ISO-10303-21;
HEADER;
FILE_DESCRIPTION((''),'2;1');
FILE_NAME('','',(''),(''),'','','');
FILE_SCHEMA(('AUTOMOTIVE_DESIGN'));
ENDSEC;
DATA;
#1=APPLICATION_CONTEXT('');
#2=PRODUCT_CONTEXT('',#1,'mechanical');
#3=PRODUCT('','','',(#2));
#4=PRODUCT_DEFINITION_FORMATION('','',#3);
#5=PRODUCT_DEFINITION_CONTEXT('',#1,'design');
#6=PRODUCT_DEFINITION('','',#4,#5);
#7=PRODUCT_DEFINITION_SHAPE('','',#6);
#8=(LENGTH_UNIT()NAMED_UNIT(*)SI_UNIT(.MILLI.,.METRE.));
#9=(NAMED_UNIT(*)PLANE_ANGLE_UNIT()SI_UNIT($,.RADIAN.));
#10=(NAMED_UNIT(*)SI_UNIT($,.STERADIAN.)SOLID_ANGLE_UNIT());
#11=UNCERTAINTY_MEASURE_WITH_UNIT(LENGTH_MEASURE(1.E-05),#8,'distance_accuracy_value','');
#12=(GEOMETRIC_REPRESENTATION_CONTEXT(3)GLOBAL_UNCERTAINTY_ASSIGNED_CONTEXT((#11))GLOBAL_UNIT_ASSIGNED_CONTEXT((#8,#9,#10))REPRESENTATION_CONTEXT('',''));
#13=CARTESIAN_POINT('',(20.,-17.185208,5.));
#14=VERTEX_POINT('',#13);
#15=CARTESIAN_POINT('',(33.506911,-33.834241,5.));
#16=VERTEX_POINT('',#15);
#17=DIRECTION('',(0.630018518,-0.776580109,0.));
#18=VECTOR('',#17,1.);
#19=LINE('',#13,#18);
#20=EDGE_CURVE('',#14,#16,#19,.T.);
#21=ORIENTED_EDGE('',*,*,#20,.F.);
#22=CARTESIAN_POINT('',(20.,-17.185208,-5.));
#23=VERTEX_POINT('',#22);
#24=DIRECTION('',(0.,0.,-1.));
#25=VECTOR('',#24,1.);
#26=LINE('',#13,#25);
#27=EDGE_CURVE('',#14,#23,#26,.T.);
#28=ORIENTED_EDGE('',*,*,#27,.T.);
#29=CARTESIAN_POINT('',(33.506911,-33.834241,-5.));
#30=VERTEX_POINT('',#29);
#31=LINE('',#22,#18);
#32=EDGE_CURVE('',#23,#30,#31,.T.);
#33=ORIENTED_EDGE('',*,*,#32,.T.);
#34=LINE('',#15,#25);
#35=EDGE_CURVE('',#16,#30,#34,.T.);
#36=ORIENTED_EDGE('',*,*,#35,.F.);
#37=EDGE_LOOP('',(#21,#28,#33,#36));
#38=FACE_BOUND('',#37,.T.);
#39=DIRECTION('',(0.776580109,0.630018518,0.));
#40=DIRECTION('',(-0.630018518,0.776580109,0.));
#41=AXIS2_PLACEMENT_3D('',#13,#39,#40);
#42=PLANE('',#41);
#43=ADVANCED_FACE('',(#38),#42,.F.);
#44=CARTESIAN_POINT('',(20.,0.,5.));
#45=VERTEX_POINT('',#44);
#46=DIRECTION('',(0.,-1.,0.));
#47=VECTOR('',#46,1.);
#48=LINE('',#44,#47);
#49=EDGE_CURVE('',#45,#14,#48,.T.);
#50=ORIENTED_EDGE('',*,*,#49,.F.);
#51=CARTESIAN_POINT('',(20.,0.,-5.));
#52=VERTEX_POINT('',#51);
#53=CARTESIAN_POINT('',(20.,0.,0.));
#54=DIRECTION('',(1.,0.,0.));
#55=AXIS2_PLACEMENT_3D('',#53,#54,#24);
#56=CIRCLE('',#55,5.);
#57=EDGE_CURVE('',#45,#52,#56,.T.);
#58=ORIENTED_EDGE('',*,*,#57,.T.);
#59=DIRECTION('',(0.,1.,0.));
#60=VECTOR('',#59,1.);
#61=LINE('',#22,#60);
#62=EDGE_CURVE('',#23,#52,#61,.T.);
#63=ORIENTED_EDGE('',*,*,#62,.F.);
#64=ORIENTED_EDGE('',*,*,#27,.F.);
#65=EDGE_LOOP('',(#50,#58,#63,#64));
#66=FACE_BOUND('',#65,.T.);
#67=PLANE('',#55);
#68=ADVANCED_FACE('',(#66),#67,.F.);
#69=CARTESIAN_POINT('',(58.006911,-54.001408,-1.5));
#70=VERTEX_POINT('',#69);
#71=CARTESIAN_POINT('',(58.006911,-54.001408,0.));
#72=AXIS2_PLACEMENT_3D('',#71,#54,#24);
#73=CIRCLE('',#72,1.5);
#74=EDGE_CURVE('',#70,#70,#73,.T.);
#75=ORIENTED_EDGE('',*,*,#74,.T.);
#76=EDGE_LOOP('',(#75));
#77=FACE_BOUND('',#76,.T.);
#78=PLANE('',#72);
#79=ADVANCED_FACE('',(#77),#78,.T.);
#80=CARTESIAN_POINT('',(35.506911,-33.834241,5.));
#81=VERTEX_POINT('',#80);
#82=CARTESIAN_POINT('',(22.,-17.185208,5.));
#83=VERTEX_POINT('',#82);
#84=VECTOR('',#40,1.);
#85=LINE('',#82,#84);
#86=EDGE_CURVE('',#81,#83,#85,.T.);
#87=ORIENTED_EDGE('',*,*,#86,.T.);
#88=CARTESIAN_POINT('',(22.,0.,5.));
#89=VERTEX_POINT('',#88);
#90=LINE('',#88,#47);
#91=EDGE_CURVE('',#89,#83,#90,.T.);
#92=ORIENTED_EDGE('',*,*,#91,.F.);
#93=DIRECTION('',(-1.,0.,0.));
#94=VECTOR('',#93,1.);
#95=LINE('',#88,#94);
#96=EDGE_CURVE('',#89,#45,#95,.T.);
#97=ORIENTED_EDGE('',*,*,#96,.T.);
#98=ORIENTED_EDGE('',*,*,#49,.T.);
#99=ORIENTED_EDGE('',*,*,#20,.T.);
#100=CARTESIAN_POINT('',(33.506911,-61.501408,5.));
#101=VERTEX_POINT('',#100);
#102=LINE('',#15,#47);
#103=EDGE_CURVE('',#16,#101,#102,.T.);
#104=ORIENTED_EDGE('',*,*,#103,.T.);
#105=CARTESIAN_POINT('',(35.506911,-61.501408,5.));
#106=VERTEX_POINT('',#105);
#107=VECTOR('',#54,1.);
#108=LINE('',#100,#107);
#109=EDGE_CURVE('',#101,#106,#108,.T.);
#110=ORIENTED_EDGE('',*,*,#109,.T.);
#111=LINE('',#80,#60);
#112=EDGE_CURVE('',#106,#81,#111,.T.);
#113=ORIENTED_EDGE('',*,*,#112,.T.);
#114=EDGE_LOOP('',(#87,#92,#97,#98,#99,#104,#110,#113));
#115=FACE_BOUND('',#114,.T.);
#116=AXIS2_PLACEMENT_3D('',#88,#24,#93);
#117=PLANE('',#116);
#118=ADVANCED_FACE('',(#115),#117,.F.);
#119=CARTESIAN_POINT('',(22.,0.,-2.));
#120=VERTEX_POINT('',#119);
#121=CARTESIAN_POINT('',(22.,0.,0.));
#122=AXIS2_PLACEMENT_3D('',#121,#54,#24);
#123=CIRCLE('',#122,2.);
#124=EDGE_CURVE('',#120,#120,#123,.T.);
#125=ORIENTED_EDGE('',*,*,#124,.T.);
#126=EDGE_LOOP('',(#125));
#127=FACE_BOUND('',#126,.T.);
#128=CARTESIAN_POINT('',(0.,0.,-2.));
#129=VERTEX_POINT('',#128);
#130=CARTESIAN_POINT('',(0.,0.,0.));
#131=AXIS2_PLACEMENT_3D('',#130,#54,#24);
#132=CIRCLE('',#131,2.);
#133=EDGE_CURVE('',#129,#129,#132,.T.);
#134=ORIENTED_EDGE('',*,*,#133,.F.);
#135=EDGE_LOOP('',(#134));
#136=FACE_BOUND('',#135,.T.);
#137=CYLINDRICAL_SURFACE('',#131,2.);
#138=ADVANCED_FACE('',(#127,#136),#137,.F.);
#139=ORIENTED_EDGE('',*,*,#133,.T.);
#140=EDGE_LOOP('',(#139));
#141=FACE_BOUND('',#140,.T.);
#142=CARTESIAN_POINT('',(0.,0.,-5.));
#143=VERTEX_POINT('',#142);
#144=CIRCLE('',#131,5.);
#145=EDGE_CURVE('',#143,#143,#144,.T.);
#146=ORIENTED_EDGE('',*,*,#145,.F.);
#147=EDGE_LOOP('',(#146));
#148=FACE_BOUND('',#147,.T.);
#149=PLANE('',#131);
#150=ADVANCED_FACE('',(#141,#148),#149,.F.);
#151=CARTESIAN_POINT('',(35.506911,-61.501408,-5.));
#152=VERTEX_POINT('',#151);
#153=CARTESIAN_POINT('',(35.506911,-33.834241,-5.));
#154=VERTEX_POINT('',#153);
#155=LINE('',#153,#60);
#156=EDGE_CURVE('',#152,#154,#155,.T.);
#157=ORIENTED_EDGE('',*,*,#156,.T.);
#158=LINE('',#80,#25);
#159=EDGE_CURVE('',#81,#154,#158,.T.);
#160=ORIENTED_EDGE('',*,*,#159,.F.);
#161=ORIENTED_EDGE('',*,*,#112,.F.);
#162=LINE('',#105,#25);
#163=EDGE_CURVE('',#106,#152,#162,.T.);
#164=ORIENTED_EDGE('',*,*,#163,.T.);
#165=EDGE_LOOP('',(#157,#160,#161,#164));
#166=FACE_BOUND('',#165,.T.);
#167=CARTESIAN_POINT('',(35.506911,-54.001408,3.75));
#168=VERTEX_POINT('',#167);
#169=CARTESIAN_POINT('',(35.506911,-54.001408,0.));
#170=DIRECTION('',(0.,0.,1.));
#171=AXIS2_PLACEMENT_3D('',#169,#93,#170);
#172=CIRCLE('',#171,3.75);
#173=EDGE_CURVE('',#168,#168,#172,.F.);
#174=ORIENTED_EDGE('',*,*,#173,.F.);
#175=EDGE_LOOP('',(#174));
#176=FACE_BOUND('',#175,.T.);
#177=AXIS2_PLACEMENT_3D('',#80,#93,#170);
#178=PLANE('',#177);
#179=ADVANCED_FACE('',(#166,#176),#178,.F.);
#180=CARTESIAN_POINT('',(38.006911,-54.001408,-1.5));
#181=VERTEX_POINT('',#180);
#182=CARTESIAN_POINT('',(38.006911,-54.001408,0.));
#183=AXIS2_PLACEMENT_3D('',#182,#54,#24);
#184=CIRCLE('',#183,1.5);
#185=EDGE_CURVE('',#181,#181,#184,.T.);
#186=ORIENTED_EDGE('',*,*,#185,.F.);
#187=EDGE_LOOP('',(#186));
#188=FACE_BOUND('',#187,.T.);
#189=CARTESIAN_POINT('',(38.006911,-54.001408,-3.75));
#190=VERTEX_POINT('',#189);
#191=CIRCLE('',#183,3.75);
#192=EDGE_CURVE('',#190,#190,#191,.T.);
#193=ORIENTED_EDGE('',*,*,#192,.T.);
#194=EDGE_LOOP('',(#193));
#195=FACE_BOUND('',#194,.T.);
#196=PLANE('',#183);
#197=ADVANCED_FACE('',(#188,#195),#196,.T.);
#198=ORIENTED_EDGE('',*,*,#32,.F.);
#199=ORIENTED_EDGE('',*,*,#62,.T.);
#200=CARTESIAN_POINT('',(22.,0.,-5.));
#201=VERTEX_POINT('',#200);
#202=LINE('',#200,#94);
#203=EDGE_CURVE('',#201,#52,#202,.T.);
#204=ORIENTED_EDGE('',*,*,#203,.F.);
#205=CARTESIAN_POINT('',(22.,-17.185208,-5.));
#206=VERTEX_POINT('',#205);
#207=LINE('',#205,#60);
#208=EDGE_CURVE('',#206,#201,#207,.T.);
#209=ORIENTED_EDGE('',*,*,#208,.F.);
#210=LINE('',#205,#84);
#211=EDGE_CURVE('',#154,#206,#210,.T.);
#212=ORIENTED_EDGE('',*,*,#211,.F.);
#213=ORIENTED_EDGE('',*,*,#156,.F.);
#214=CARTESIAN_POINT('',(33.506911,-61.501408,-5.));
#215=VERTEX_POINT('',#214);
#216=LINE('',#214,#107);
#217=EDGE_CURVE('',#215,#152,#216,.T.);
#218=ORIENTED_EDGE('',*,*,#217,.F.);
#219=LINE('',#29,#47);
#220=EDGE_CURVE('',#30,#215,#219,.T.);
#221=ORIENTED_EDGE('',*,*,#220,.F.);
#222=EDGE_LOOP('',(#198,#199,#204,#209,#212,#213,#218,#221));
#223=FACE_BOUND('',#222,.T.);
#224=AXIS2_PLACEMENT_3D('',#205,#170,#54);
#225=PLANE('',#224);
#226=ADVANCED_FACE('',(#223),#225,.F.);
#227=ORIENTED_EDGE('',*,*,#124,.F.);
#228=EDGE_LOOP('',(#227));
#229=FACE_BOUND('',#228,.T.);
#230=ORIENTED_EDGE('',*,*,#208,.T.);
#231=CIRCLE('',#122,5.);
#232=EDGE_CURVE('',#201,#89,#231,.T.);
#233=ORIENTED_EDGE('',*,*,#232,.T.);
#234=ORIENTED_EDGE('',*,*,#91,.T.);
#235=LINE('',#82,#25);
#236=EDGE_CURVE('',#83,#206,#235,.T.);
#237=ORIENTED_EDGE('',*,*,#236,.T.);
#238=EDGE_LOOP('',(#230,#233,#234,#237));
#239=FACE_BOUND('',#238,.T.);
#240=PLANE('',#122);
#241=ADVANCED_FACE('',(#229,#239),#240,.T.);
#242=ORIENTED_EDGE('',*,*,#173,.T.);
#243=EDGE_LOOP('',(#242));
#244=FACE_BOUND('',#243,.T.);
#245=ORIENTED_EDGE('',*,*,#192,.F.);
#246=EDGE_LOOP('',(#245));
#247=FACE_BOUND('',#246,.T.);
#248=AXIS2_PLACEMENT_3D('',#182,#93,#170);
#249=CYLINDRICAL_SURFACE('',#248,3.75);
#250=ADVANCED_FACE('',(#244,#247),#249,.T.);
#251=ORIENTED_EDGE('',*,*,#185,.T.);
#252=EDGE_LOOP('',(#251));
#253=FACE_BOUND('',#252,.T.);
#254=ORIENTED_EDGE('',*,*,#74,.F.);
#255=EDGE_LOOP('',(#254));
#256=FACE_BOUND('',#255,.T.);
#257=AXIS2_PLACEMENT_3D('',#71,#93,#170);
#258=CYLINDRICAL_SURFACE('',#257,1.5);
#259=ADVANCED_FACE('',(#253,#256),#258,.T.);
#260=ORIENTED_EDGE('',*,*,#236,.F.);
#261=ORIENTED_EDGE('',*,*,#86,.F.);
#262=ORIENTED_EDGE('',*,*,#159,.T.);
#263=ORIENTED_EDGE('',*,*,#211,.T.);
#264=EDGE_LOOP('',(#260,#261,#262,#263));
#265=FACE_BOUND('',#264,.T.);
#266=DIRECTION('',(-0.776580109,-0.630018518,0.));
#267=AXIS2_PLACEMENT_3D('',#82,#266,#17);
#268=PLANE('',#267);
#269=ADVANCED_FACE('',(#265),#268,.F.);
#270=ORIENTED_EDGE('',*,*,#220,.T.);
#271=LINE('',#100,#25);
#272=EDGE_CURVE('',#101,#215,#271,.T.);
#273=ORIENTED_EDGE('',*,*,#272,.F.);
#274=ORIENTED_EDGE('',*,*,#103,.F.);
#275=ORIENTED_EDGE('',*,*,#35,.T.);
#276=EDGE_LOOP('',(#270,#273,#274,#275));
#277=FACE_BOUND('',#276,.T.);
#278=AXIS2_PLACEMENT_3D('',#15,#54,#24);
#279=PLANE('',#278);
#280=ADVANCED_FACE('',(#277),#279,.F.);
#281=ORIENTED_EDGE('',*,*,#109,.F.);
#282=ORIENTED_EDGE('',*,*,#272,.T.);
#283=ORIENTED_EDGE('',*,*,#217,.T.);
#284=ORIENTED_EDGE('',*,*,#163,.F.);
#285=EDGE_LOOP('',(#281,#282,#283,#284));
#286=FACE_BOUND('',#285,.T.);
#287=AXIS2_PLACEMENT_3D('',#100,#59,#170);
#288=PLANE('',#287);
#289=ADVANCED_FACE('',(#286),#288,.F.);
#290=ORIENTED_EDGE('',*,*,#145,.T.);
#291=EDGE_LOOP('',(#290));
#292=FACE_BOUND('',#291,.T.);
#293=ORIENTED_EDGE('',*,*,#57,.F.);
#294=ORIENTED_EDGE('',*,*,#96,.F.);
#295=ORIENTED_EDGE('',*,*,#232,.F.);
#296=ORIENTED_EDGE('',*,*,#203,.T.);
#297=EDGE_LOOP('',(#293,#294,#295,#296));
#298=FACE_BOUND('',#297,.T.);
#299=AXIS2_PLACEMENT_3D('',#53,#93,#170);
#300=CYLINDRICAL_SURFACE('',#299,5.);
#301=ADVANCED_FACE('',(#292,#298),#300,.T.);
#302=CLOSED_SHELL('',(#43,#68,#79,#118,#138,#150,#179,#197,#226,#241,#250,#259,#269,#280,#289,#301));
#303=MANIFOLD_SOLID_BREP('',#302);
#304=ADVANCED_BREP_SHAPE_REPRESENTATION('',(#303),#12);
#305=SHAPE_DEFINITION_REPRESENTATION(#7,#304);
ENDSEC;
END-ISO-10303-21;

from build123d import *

# Parameters (mm, degrees)
SKETCH1_R           = 5
BOSS_EXTRUDE1_DEPTH = 20
BOSS_EXTRUDE2_DEPTH = 2
SKETCH3_R           = 2
CUT_EXTRUDE1_DEPTH  = 23
BOSS_EXTRUDE3_DEPTH = 5
SKETCH5_W           = 2
SKETCH5_H           = 27.667167525
BOSS_EXTRUDE4_DEPTH = 5
SKETCH6_R           = 3.75
BOSS_EXTRUDE5_DEPTH = 2.5
SKETCH7_R           = 1.5
BOSS_EXTRUDE6_DEPTH = 20


with BuildPart() as part:
    # Sketch1 → Boss-Extrude1 (new body)
    with BuildSketch(Plane(origin=(0, 0, 0), x_dir=(0, 0, -1), z_dir=(1, 0, 0))):
        Circle(SKETCH1_R)
    extrude(amount=BOSS_EXTRUDE1_DEPTH)

    # Sketch2 → Boss-Extrude2 (add)
    with BuildSketch(Plane(origin=(20, 0, 0), x_dir=(0, 0, -1), z_dir=(1, 0, 0))):
        with BuildLine():
            Line((-5, 0), (-5, -17.185208198))
            Line((-5, -17.185208198), (5, -17.185208198))
            Line((5, -17.185208198), (5, 0))
            ThreePointArc((5, 0), (0, 5), (-5, 0))
        make_face()
    extrude(amount=BOSS_EXTRUDE2_DEPTH)

    # Sketch3 → Cut-Extrude1 (cut, through all)
    with BuildSketch(Plane(origin=(22, 0, 0), x_dir=(0, 0, -1), z_dir=(1, 0, 0))):
        Circle(SKETCH3_R)
    extrude(amount=-CUT_EXTRUDE1_DEPTH, mode=Mode.SUBTRACT)

    # Sketch4 → Boss-Extrude3 (add, symmetric)
    with BuildSketch(Plane.XY):
        Polygon((20, -17.185208198), (33.506911319, -33.834240512), (35.506911319, -33.834240512), (22, -17.185208198), align=None)
    extrude(amount=BOSS_EXTRUDE3_DEPTH, both=True)

    # Sketch5 → Boss-Extrude4 (add, symmetric)
    with BuildSketch(Plane.XY):
        with Locations((34.506911319, -47.667824275)):
            Rectangle(SKETCH5_W, SKETCH5_H)
    extrude(amount=BOSS_EXTRUDE4_DEPTH, both=True)

    # Sketch6 → Boss-Extrude5 (add)
    with BuildSketch(Plane(origin=(35.506911319, 0, 0), x_dir=(0, 0, -1), z_dir=(1, 0, 0))):
        with Locations((0, -54.001408037)):
            Circle(SKETCH6_R)
    extrude(amount=BOSS_EXTRUDE5_DEPTH)

    # Sketch7 → Boss-Extrude6 (add)
    with BuildSketch(Plane(origin=(38.006911319, 0, 0), x_dir=(0, 0, -1), z_dir=(1, 0, 0))):
        with Locations((0, -54.001408037)):
            Circle(SKETCH7_R)
    extrude(amount=BOSS_EXTRUDE6_DEPTH)


solid = part.part
